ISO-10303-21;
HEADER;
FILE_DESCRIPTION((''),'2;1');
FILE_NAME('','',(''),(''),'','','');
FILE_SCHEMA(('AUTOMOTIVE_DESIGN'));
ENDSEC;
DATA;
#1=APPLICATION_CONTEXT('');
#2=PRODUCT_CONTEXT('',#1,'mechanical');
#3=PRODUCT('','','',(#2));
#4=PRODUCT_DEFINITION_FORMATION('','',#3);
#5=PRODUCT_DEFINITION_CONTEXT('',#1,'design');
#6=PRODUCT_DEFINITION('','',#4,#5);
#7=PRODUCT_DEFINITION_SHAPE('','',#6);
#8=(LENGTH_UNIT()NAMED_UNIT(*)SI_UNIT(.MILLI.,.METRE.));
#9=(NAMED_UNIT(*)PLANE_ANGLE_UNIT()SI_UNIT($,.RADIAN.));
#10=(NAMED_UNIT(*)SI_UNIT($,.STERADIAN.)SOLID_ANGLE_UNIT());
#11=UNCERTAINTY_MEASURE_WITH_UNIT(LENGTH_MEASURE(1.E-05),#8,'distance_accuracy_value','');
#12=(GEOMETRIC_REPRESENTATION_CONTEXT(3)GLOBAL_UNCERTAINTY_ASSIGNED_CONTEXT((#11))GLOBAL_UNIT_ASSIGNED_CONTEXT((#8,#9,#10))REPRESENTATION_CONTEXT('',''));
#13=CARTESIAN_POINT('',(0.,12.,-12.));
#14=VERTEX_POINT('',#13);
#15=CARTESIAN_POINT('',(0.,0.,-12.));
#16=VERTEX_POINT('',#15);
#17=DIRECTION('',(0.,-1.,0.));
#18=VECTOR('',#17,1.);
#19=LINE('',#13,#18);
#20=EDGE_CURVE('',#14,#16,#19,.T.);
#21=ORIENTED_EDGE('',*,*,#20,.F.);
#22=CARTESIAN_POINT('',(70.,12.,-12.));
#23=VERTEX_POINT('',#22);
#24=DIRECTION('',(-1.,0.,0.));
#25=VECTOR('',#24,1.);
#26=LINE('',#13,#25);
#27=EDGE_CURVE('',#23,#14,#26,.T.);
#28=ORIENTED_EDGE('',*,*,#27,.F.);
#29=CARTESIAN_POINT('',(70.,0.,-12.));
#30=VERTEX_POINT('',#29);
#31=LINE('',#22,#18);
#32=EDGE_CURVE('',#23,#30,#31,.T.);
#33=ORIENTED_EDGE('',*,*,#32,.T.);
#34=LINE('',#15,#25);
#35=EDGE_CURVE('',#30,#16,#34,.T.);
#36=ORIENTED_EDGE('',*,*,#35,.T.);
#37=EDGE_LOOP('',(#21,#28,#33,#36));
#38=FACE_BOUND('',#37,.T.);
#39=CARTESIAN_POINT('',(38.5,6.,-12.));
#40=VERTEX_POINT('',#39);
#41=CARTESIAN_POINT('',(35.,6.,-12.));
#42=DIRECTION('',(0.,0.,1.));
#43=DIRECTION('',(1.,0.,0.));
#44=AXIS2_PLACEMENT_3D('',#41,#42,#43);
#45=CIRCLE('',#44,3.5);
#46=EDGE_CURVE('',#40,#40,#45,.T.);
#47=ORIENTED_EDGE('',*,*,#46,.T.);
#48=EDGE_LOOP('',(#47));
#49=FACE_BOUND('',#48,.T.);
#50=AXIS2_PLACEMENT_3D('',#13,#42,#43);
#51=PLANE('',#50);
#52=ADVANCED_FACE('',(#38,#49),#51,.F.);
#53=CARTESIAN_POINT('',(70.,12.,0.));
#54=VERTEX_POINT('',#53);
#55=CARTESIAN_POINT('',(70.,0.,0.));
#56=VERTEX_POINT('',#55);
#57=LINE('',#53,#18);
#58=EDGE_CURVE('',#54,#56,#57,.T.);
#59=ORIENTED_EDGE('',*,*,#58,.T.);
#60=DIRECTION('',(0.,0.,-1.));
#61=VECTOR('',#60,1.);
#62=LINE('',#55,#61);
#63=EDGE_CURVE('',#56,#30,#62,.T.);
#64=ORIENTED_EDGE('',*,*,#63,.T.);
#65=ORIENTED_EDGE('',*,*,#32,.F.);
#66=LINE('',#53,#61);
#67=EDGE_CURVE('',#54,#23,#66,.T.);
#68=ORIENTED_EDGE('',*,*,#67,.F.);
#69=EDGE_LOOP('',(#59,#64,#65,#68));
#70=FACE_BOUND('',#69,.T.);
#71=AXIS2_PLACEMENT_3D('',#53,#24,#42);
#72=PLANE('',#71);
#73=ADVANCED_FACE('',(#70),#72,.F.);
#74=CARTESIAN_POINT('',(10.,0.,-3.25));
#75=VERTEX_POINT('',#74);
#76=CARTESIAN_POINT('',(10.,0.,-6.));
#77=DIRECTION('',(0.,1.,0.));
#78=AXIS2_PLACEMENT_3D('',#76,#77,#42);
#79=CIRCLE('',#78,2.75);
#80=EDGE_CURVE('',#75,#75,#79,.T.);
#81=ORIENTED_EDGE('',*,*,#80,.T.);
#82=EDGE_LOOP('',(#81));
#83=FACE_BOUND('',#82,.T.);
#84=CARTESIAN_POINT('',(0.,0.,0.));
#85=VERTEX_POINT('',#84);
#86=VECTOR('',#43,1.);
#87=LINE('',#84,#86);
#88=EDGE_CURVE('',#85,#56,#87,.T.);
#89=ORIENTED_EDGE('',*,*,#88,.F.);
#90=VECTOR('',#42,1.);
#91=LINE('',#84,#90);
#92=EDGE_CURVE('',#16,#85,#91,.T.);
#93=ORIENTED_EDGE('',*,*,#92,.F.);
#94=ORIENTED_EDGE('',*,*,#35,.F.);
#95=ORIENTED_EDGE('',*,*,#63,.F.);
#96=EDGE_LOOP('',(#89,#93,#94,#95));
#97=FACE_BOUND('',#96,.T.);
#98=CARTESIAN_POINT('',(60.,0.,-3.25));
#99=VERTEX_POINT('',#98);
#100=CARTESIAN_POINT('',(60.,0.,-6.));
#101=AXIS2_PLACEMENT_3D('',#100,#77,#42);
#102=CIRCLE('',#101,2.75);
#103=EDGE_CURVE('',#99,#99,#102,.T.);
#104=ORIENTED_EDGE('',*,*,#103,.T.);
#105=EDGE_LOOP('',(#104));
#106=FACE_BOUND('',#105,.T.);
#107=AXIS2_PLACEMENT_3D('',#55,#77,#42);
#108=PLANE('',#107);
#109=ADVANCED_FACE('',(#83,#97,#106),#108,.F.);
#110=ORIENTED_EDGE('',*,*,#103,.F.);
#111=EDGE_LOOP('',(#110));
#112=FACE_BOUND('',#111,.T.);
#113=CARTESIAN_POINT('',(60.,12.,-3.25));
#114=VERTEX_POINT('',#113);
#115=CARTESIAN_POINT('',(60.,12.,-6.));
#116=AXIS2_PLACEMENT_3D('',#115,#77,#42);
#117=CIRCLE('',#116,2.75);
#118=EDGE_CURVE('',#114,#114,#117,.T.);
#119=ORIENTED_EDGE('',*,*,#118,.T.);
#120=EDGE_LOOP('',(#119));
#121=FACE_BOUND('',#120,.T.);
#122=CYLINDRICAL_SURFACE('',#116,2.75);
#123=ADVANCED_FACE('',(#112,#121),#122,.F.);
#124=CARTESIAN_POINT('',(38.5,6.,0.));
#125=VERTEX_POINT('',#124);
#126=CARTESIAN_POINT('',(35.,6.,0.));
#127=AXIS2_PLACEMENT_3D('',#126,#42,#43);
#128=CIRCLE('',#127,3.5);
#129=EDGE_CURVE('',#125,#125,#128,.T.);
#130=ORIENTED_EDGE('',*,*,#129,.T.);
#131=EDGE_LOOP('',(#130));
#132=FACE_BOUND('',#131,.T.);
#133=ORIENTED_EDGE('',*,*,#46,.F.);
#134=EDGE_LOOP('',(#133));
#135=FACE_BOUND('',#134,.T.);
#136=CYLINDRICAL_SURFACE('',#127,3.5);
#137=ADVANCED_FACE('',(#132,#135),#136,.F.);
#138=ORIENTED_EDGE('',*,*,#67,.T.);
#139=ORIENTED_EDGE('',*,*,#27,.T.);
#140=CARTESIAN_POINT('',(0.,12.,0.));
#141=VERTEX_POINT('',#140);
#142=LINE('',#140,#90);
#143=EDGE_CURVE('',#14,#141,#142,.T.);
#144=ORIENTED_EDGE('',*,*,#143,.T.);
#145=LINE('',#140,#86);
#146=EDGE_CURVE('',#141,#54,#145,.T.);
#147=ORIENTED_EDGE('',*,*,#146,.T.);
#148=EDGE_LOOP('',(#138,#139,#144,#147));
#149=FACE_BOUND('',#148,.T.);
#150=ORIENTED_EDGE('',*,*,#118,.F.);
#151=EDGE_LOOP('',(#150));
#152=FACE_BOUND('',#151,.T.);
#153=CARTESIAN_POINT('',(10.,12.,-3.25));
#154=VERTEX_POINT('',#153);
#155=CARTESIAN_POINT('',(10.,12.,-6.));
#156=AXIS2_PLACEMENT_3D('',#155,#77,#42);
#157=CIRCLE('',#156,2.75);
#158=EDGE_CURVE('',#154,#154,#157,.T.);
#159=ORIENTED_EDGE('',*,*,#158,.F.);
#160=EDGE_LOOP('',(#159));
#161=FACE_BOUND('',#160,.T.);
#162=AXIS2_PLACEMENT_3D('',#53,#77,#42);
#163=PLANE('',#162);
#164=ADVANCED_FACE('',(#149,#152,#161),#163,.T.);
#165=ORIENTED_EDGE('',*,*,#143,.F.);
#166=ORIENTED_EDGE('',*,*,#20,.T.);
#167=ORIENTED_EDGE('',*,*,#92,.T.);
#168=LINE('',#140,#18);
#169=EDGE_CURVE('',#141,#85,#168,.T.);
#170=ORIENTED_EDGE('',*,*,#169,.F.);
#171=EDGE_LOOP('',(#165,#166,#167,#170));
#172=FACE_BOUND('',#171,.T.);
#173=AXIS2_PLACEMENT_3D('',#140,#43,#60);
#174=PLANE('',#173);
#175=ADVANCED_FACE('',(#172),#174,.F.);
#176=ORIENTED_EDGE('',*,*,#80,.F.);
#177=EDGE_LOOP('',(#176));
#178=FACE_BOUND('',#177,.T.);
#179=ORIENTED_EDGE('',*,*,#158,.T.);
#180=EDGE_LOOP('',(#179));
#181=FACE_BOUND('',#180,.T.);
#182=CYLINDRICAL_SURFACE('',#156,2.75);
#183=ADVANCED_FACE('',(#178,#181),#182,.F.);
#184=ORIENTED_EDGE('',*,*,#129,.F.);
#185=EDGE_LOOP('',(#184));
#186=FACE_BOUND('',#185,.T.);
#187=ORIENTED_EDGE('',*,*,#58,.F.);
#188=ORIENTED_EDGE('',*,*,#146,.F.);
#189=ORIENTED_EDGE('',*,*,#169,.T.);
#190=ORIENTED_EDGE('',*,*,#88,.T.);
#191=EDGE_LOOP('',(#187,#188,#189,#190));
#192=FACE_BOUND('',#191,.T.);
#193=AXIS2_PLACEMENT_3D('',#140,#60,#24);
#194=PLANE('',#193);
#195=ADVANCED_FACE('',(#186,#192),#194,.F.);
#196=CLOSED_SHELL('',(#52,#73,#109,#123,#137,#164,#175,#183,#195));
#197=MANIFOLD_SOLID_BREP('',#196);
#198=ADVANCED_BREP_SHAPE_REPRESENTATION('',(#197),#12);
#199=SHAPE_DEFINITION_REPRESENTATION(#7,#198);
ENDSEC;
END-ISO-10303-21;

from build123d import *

# Parameters (mm, degrees)
SKETCH1_W                  = 70
SKETCH1_H                  = 12
BOSS_EXTRUDE1_DEPTH        = 12
M8X1_0_TAPPED_HOLE1_D      = 7
F_5_5_5_5_DIAMETER_HOLE1_D = 5.5


with BuildPart() as part:
    # Sketch1 → Boss-Extrude1 (new body)
    with BuildSketch(Plane(origin=(0, 0, 0), x_dir=(1, 0, 0), z_dir=(0, 1, 0))):
        with Locations((35, 6)):
            Rectangle(SKETCH1_W, SKETCH1_H)
    extrude(amount=BOSS_EXTRUDE1_DEPTH)

    # M8x1.0 Tapped Hole1 (through all)
    with Locations(Plane.XY):
        with Locations((35, 6)):
            Hole(M8X1_0_TAPPED_HOLE1_D / 2)

    # Ø5.5 (5.5) Diameter Hole1 (through all)
    with Locations(Plane(origin=(0, 12, 0), x_dir=(-1, 0, 0), z_dir=(0, 1, 0))):
        with Locations((-10, -6), (-60, -6)):
            Hole(F_5_5_5_5_DIAMETER_HOLE1_D / 2)


solid = part.part
